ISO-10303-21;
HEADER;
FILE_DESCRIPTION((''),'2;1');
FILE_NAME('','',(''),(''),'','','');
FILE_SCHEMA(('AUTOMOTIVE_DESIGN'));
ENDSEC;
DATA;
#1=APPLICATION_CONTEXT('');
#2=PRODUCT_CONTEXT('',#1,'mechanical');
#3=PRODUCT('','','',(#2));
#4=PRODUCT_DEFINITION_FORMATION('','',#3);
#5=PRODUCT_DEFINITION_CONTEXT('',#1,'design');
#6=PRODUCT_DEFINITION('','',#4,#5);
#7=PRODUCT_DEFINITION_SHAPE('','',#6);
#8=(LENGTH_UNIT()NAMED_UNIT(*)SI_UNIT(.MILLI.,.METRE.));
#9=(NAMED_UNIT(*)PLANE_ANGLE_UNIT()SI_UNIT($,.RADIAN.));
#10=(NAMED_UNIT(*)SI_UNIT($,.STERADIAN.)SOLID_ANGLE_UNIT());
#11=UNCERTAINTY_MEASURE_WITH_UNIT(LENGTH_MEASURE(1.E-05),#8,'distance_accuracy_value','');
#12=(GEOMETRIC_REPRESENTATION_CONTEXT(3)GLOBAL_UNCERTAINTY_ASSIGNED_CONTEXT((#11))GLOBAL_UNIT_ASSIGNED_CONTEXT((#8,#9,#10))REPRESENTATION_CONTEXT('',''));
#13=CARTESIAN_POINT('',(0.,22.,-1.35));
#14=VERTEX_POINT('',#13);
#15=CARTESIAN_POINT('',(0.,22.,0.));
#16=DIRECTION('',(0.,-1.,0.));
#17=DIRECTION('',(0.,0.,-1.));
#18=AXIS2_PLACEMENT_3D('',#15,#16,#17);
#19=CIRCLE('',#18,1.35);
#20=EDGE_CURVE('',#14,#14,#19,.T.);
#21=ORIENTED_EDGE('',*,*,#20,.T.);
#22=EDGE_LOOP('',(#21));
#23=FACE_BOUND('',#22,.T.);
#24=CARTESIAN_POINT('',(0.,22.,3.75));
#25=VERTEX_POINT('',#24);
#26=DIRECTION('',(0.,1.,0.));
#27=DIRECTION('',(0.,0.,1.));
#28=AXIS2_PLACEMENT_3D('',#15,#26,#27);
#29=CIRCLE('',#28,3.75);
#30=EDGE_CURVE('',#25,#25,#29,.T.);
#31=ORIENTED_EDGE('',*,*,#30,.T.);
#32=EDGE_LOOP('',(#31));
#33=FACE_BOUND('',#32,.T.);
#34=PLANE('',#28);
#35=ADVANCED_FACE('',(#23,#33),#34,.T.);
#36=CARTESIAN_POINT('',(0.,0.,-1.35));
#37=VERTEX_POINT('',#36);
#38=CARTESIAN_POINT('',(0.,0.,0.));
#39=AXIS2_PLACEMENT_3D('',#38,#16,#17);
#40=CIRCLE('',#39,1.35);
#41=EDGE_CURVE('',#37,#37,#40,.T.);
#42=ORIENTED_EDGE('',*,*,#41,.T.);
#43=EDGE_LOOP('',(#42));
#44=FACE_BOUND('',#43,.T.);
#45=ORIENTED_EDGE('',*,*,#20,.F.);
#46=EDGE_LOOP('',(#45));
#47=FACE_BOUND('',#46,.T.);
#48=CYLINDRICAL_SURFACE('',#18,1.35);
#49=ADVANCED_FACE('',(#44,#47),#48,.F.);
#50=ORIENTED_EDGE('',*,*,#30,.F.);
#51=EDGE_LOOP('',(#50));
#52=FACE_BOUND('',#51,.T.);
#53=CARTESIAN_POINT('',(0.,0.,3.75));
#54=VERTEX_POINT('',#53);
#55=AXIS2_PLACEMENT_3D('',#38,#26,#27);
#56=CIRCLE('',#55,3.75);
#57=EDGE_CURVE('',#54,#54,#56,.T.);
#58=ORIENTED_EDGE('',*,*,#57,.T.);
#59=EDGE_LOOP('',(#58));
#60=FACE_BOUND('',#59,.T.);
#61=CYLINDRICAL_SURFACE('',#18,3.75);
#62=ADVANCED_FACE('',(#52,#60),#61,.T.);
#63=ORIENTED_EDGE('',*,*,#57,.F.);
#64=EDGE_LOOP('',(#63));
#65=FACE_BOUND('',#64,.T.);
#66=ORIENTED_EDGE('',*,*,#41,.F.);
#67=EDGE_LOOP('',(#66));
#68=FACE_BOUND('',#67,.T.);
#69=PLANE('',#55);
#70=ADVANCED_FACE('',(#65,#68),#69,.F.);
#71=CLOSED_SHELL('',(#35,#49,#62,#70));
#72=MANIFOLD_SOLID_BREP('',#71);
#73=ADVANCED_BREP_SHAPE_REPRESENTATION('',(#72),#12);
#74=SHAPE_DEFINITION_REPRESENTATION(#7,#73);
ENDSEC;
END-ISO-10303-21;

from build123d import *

# Parameters (mm, degrees)
SKETCH1_R           = 3.75
BOSS_EXTRUDE1_DEPTH = 22
SKETCH2_R           = 1.35
CUT_EXTRUDE1_DEPTH  = 23.630178965


with BuildPart() as part:
    # Sketch1 → Boss-Extrude1 (new body)
    with BuildSketch(Plane(origin=(0, 0, 0), x_dir=(1, 0, 0), z_dir=(0, 1, 0))):
        with Locations(Location((0, 0, 0), (0, 0, 270))):
            Circle(SKETCH1_R)
    extrude(amount=BOSS_EXTRUDE1_DEPTH)

    # Sketch2 → Cut-Extrude1 (cut, through all)
    with BuildSketch(Plane.XZ):
        with Locations(Location((0, 0, 0), (0, 0, 270))):
            Circle(SKETCH2_R)
    extrude(amount=-CUT_EXTRUDE1_DEPTH, mode=Mode.SUBTRACT)


solid = part.part
